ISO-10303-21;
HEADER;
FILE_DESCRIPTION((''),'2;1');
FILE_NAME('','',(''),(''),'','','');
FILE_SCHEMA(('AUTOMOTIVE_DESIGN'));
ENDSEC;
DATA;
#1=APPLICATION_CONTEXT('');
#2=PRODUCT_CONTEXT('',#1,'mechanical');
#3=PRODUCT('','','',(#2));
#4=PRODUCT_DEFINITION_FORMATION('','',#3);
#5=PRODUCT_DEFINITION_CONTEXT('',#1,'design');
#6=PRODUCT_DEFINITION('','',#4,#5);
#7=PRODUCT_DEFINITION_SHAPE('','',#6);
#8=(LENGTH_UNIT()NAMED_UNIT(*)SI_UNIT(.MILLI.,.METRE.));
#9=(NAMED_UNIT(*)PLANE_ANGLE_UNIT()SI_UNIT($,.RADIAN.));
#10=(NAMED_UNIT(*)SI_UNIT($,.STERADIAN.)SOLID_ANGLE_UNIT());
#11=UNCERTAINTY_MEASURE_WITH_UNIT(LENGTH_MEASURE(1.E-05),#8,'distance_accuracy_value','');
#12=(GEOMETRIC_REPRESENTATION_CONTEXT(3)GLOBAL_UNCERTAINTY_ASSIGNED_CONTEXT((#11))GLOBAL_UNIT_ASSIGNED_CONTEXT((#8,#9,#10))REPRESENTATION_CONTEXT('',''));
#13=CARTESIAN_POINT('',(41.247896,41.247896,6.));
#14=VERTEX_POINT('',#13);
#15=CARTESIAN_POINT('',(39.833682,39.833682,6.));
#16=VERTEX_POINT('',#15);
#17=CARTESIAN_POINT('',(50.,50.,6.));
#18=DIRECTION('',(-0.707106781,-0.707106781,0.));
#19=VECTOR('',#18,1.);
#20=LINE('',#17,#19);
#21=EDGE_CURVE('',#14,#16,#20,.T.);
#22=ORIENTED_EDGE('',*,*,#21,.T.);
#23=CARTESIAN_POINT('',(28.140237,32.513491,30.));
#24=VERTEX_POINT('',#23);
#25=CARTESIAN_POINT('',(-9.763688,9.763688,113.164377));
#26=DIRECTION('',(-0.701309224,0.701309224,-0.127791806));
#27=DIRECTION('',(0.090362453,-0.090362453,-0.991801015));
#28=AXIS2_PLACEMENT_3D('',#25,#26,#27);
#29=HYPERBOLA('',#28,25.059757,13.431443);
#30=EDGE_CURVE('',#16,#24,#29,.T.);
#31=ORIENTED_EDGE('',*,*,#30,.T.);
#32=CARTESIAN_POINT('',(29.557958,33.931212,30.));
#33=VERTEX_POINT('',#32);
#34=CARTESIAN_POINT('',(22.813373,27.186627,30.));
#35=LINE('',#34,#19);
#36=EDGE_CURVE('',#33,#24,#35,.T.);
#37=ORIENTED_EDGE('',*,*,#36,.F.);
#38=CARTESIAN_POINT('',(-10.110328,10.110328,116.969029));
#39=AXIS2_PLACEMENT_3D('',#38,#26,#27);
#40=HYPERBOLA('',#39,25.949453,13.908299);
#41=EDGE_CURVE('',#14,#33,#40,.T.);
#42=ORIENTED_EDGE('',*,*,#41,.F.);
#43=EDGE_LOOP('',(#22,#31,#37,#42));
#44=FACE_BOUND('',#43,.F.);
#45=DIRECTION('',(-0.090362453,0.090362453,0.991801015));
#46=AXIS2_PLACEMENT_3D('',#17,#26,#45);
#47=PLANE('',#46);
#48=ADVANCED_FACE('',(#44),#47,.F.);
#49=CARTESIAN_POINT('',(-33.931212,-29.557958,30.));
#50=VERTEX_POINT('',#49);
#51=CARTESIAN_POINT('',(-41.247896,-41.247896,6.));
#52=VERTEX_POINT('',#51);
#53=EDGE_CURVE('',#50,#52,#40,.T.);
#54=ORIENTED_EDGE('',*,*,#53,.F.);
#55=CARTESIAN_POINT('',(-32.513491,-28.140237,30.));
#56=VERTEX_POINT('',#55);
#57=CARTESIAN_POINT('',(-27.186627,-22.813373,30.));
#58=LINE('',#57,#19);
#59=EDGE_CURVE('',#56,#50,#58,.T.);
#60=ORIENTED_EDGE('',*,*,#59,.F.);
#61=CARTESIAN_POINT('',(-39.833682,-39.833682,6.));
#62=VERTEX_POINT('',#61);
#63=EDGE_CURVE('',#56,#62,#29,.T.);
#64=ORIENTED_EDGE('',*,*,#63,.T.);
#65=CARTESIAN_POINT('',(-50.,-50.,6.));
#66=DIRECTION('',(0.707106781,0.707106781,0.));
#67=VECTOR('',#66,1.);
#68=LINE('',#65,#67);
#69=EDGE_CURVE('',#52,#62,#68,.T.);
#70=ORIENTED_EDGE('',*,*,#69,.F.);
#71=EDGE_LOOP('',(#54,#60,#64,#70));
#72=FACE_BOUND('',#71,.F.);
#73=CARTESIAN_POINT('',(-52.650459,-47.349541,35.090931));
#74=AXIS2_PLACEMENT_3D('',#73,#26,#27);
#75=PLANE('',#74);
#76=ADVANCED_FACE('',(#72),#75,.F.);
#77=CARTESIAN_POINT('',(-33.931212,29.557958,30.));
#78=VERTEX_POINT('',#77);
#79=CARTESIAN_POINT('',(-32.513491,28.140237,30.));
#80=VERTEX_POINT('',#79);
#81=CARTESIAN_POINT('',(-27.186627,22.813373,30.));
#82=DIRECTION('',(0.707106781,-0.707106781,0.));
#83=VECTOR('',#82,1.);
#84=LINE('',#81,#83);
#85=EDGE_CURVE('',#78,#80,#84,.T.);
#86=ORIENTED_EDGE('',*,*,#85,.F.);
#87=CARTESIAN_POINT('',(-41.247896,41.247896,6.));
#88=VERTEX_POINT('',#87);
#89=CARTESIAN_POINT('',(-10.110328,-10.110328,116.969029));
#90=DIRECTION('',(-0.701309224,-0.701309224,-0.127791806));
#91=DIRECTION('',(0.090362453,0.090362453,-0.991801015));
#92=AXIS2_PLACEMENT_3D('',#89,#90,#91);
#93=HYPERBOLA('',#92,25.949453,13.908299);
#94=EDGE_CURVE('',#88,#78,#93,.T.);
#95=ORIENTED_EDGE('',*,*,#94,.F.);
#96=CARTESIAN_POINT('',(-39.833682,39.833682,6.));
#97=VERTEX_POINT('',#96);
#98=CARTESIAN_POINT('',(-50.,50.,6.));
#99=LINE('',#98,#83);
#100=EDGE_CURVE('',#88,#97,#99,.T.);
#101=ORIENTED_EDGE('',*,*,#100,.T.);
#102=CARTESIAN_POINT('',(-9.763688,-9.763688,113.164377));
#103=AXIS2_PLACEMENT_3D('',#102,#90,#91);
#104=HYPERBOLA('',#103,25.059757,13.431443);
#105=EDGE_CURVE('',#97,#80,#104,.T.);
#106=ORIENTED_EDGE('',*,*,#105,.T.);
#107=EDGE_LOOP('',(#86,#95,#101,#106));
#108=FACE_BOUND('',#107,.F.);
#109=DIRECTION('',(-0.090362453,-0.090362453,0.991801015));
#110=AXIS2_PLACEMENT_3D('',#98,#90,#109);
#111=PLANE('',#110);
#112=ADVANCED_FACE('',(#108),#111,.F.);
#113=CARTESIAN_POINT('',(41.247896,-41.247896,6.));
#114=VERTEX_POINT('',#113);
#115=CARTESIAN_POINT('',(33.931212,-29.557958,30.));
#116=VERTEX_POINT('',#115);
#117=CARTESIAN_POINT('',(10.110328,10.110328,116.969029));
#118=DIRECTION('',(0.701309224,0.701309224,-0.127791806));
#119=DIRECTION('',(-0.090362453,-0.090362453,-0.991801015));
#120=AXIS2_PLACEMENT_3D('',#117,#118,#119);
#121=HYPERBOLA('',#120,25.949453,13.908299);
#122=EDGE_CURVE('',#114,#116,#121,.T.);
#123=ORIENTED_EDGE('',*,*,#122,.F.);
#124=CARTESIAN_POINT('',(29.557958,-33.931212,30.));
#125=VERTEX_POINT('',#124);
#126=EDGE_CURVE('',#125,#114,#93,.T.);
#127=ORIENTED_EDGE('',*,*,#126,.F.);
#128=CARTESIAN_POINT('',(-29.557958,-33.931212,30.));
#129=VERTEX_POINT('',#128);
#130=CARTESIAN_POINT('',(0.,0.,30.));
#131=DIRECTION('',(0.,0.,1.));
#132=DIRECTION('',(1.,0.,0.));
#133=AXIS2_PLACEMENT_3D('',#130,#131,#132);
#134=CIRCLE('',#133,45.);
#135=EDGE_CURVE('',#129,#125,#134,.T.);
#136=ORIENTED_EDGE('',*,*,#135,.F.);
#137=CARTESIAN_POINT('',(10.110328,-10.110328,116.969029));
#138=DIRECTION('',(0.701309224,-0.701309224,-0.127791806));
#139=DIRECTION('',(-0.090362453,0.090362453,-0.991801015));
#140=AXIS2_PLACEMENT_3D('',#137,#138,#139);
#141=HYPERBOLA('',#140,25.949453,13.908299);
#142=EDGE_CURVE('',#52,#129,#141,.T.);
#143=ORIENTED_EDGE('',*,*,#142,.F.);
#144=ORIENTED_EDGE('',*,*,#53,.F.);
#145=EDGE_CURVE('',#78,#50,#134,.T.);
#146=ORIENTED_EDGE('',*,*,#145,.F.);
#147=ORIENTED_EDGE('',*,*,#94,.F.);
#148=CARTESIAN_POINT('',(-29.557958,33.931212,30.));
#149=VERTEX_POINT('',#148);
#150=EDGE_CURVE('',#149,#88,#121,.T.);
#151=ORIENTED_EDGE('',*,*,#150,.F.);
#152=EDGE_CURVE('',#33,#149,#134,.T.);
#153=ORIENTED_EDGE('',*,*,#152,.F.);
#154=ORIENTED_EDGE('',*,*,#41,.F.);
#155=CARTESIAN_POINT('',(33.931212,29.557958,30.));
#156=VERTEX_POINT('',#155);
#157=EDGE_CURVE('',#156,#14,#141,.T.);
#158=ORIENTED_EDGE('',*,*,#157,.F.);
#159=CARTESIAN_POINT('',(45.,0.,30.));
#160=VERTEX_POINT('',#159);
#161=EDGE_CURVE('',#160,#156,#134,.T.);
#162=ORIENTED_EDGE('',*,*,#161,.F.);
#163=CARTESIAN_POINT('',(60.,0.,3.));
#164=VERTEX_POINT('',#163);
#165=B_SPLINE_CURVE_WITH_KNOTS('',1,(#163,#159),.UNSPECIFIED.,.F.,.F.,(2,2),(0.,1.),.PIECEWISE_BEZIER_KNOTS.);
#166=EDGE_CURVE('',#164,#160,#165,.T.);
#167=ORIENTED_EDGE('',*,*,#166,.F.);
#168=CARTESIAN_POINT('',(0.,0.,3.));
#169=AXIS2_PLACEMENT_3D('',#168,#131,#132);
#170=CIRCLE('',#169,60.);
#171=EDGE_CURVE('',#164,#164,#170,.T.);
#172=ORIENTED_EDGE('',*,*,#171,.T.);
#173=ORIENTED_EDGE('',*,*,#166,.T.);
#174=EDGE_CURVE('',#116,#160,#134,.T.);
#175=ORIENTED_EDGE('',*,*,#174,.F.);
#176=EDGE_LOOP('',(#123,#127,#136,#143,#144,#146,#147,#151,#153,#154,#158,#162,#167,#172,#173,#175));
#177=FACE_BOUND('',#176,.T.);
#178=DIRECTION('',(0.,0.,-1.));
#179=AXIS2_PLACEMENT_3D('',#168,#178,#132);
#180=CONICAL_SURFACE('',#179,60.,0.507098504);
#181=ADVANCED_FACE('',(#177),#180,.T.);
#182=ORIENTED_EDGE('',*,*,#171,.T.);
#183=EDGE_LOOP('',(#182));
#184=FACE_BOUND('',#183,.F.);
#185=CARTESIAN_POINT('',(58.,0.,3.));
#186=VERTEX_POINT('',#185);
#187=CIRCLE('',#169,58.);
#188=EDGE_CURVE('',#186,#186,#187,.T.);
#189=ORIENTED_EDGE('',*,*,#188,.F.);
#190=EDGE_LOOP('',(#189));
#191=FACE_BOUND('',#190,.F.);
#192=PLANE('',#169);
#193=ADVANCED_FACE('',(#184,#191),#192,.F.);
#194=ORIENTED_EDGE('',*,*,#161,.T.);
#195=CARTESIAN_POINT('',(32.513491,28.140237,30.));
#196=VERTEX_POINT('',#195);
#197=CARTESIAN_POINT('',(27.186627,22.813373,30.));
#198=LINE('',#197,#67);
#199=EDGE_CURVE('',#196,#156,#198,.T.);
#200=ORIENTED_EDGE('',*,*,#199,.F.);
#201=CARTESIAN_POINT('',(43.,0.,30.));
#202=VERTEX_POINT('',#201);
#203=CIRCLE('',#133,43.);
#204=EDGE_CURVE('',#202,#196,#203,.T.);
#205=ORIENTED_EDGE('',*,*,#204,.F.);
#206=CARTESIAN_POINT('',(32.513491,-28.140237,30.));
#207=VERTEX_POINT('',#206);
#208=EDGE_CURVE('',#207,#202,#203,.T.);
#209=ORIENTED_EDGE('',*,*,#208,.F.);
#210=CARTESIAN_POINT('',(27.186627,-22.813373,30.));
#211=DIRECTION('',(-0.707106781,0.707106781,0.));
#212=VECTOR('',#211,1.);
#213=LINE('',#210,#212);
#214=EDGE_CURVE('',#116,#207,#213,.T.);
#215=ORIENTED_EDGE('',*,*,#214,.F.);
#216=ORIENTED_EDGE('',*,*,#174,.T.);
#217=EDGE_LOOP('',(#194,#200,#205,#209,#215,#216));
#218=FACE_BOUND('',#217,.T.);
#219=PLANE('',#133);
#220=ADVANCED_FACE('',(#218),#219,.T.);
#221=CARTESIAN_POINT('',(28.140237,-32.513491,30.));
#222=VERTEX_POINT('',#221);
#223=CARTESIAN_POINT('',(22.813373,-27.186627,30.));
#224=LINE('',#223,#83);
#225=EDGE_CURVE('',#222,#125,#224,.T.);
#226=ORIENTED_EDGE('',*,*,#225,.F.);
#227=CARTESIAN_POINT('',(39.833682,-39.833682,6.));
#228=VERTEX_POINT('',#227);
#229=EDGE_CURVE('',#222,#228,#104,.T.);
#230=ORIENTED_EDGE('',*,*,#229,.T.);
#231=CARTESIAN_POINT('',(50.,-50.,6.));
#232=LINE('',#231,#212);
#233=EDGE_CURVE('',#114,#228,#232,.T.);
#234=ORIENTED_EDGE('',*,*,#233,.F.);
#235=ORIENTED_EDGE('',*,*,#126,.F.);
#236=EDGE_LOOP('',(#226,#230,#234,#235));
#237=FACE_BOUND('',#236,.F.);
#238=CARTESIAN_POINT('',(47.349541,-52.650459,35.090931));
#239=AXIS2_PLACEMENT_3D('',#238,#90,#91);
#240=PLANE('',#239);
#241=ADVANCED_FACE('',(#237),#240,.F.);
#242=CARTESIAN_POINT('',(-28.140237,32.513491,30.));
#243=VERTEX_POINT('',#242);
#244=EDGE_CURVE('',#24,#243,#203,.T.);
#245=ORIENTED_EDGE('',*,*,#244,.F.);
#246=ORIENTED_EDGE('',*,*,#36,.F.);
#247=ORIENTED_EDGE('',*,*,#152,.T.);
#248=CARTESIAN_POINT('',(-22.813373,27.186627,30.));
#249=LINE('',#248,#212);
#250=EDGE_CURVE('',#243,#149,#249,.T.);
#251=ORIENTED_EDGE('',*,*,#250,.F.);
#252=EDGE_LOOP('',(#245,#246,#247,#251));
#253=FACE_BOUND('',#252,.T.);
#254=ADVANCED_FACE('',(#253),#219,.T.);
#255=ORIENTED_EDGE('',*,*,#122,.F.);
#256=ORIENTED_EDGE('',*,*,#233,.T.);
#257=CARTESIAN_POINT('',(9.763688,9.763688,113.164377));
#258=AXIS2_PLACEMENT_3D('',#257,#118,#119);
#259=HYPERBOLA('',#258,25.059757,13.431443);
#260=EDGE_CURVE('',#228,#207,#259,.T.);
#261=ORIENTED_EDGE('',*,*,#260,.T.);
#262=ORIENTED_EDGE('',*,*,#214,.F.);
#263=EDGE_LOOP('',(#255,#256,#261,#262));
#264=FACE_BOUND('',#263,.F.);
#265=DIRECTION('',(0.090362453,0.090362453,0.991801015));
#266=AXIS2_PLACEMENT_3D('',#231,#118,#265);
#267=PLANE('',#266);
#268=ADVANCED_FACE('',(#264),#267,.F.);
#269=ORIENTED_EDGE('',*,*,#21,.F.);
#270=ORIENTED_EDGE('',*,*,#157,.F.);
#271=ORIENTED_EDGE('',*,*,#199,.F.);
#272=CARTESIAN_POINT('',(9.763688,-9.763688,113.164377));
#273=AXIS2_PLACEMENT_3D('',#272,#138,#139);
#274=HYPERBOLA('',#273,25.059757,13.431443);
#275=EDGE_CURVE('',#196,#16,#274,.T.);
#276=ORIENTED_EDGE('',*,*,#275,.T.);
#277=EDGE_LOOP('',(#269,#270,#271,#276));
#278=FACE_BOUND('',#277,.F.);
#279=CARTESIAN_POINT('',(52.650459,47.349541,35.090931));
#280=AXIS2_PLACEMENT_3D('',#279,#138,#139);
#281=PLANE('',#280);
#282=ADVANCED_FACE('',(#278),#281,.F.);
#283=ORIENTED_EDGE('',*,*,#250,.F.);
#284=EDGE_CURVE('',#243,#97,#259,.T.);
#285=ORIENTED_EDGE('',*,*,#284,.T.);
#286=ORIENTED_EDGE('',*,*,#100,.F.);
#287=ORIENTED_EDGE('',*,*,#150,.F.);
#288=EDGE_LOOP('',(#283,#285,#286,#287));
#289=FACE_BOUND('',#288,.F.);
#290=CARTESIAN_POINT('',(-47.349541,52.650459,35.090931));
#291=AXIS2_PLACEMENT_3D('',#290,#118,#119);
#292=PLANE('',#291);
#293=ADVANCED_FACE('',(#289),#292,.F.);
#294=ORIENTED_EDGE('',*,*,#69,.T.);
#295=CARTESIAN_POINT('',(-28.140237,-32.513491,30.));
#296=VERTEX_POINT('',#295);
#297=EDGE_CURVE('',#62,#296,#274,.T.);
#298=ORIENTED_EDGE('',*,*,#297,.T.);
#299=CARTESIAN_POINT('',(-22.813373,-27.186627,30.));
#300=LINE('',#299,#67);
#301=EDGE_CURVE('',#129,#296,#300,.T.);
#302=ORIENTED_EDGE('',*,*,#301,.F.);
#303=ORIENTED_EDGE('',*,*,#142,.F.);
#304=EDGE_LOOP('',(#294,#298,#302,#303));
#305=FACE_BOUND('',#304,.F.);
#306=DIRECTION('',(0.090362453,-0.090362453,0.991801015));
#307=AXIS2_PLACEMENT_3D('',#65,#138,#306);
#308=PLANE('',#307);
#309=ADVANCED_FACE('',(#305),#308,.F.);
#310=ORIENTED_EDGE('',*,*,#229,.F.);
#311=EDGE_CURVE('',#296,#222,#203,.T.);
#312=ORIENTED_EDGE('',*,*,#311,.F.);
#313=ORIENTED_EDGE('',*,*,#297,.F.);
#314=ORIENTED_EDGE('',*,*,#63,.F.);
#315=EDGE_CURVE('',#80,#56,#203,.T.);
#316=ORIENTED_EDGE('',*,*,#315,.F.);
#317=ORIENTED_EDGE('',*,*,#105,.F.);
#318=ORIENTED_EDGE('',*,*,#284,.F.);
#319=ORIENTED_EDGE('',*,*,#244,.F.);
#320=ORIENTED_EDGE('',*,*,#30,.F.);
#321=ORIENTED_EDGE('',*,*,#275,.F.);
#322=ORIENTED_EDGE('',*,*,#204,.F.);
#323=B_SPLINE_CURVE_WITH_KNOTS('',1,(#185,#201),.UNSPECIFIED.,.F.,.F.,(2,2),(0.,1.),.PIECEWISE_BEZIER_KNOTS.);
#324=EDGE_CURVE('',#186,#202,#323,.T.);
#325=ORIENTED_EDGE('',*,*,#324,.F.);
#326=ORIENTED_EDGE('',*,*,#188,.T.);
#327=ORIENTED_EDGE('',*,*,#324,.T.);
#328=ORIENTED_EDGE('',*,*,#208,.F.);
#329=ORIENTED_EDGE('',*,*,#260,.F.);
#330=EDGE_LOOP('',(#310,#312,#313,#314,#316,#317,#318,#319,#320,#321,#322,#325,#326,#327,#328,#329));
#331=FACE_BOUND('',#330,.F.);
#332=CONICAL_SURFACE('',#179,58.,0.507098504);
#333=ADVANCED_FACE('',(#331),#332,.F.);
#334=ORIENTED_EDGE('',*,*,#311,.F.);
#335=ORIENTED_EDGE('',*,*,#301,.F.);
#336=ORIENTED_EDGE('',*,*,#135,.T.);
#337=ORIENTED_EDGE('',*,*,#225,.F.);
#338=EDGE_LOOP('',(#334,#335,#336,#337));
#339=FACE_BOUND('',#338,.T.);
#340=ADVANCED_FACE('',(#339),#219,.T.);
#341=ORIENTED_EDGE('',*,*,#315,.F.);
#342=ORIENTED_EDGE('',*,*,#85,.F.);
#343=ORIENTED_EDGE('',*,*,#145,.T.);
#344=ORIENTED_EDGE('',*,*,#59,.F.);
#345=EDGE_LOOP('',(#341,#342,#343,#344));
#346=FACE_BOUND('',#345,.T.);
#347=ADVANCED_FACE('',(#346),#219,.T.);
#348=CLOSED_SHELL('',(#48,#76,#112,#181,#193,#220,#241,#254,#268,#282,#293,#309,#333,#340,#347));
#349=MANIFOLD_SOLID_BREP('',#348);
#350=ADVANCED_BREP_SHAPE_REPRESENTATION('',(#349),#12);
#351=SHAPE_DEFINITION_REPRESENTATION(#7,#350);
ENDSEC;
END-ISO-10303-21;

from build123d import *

# Parameters (mm, degrees)
SKETCH018_R           = 58
SKETCH019_R           = 43
SKETCH016_R           = 60
SKETCH017_R           = 45
POCKET003_DEPTH       = 33
POLARPATTERN005_COUNT = 4


with BuildPart() as loft001:
    # Sketch018 → Loft001 section 0
    with BuildSketch(Plane.XY.offset(3)):
        Circle(SKETCH018_R)
    # Sketch019 → Loft001 section 1
    with BuildSketch(Plane.XY.offset(30)):
        Circle(SKETCH019_R)
    loft()


with BuildPart() as support:
    # Sketch016 → Loft section 0
    with BuildSketch(Plane.XY.offset(3)):
        Circle(SKETCH016_R)
    # Sketch017 → Loft section 1
    with BuildSketch(Plane.XY.offset(30)):
        Circle(SKETCH017_R)
    loft()

    # Cut: cut Loft001
    add(loft001.part, mode=Mode.SUBTRACT)

    # Sketch020 → Pocket003 (cut)
    with BuildSketch(Plane(origin=(-50, -50, 0), x_dir=(-0.707107, 0.707107, 0), z_dir=(0.707107, 0.707107, 0))):
        Polygon((0, 6), (-3.748315, 35.090931), (3.748315, 35.090931), align=None)
    pocket003 = extrude(amount=POCKET003_DEPTH, mode=Mode.SUBTRACT)

    # PolarPattern005: Pocket003 ×4 about axis
    polarpattern005_axis = Axis((0, 0, 0), (0, 0, 1))
    for i in range(1, POLARPATTERN005_COUNT):
        add(pocket003.rotate(polarpattern005_axis, i * 360 / POLARPATTERN005_COUNT), mode=Mode.SUBTRACT)


solid = support.part
